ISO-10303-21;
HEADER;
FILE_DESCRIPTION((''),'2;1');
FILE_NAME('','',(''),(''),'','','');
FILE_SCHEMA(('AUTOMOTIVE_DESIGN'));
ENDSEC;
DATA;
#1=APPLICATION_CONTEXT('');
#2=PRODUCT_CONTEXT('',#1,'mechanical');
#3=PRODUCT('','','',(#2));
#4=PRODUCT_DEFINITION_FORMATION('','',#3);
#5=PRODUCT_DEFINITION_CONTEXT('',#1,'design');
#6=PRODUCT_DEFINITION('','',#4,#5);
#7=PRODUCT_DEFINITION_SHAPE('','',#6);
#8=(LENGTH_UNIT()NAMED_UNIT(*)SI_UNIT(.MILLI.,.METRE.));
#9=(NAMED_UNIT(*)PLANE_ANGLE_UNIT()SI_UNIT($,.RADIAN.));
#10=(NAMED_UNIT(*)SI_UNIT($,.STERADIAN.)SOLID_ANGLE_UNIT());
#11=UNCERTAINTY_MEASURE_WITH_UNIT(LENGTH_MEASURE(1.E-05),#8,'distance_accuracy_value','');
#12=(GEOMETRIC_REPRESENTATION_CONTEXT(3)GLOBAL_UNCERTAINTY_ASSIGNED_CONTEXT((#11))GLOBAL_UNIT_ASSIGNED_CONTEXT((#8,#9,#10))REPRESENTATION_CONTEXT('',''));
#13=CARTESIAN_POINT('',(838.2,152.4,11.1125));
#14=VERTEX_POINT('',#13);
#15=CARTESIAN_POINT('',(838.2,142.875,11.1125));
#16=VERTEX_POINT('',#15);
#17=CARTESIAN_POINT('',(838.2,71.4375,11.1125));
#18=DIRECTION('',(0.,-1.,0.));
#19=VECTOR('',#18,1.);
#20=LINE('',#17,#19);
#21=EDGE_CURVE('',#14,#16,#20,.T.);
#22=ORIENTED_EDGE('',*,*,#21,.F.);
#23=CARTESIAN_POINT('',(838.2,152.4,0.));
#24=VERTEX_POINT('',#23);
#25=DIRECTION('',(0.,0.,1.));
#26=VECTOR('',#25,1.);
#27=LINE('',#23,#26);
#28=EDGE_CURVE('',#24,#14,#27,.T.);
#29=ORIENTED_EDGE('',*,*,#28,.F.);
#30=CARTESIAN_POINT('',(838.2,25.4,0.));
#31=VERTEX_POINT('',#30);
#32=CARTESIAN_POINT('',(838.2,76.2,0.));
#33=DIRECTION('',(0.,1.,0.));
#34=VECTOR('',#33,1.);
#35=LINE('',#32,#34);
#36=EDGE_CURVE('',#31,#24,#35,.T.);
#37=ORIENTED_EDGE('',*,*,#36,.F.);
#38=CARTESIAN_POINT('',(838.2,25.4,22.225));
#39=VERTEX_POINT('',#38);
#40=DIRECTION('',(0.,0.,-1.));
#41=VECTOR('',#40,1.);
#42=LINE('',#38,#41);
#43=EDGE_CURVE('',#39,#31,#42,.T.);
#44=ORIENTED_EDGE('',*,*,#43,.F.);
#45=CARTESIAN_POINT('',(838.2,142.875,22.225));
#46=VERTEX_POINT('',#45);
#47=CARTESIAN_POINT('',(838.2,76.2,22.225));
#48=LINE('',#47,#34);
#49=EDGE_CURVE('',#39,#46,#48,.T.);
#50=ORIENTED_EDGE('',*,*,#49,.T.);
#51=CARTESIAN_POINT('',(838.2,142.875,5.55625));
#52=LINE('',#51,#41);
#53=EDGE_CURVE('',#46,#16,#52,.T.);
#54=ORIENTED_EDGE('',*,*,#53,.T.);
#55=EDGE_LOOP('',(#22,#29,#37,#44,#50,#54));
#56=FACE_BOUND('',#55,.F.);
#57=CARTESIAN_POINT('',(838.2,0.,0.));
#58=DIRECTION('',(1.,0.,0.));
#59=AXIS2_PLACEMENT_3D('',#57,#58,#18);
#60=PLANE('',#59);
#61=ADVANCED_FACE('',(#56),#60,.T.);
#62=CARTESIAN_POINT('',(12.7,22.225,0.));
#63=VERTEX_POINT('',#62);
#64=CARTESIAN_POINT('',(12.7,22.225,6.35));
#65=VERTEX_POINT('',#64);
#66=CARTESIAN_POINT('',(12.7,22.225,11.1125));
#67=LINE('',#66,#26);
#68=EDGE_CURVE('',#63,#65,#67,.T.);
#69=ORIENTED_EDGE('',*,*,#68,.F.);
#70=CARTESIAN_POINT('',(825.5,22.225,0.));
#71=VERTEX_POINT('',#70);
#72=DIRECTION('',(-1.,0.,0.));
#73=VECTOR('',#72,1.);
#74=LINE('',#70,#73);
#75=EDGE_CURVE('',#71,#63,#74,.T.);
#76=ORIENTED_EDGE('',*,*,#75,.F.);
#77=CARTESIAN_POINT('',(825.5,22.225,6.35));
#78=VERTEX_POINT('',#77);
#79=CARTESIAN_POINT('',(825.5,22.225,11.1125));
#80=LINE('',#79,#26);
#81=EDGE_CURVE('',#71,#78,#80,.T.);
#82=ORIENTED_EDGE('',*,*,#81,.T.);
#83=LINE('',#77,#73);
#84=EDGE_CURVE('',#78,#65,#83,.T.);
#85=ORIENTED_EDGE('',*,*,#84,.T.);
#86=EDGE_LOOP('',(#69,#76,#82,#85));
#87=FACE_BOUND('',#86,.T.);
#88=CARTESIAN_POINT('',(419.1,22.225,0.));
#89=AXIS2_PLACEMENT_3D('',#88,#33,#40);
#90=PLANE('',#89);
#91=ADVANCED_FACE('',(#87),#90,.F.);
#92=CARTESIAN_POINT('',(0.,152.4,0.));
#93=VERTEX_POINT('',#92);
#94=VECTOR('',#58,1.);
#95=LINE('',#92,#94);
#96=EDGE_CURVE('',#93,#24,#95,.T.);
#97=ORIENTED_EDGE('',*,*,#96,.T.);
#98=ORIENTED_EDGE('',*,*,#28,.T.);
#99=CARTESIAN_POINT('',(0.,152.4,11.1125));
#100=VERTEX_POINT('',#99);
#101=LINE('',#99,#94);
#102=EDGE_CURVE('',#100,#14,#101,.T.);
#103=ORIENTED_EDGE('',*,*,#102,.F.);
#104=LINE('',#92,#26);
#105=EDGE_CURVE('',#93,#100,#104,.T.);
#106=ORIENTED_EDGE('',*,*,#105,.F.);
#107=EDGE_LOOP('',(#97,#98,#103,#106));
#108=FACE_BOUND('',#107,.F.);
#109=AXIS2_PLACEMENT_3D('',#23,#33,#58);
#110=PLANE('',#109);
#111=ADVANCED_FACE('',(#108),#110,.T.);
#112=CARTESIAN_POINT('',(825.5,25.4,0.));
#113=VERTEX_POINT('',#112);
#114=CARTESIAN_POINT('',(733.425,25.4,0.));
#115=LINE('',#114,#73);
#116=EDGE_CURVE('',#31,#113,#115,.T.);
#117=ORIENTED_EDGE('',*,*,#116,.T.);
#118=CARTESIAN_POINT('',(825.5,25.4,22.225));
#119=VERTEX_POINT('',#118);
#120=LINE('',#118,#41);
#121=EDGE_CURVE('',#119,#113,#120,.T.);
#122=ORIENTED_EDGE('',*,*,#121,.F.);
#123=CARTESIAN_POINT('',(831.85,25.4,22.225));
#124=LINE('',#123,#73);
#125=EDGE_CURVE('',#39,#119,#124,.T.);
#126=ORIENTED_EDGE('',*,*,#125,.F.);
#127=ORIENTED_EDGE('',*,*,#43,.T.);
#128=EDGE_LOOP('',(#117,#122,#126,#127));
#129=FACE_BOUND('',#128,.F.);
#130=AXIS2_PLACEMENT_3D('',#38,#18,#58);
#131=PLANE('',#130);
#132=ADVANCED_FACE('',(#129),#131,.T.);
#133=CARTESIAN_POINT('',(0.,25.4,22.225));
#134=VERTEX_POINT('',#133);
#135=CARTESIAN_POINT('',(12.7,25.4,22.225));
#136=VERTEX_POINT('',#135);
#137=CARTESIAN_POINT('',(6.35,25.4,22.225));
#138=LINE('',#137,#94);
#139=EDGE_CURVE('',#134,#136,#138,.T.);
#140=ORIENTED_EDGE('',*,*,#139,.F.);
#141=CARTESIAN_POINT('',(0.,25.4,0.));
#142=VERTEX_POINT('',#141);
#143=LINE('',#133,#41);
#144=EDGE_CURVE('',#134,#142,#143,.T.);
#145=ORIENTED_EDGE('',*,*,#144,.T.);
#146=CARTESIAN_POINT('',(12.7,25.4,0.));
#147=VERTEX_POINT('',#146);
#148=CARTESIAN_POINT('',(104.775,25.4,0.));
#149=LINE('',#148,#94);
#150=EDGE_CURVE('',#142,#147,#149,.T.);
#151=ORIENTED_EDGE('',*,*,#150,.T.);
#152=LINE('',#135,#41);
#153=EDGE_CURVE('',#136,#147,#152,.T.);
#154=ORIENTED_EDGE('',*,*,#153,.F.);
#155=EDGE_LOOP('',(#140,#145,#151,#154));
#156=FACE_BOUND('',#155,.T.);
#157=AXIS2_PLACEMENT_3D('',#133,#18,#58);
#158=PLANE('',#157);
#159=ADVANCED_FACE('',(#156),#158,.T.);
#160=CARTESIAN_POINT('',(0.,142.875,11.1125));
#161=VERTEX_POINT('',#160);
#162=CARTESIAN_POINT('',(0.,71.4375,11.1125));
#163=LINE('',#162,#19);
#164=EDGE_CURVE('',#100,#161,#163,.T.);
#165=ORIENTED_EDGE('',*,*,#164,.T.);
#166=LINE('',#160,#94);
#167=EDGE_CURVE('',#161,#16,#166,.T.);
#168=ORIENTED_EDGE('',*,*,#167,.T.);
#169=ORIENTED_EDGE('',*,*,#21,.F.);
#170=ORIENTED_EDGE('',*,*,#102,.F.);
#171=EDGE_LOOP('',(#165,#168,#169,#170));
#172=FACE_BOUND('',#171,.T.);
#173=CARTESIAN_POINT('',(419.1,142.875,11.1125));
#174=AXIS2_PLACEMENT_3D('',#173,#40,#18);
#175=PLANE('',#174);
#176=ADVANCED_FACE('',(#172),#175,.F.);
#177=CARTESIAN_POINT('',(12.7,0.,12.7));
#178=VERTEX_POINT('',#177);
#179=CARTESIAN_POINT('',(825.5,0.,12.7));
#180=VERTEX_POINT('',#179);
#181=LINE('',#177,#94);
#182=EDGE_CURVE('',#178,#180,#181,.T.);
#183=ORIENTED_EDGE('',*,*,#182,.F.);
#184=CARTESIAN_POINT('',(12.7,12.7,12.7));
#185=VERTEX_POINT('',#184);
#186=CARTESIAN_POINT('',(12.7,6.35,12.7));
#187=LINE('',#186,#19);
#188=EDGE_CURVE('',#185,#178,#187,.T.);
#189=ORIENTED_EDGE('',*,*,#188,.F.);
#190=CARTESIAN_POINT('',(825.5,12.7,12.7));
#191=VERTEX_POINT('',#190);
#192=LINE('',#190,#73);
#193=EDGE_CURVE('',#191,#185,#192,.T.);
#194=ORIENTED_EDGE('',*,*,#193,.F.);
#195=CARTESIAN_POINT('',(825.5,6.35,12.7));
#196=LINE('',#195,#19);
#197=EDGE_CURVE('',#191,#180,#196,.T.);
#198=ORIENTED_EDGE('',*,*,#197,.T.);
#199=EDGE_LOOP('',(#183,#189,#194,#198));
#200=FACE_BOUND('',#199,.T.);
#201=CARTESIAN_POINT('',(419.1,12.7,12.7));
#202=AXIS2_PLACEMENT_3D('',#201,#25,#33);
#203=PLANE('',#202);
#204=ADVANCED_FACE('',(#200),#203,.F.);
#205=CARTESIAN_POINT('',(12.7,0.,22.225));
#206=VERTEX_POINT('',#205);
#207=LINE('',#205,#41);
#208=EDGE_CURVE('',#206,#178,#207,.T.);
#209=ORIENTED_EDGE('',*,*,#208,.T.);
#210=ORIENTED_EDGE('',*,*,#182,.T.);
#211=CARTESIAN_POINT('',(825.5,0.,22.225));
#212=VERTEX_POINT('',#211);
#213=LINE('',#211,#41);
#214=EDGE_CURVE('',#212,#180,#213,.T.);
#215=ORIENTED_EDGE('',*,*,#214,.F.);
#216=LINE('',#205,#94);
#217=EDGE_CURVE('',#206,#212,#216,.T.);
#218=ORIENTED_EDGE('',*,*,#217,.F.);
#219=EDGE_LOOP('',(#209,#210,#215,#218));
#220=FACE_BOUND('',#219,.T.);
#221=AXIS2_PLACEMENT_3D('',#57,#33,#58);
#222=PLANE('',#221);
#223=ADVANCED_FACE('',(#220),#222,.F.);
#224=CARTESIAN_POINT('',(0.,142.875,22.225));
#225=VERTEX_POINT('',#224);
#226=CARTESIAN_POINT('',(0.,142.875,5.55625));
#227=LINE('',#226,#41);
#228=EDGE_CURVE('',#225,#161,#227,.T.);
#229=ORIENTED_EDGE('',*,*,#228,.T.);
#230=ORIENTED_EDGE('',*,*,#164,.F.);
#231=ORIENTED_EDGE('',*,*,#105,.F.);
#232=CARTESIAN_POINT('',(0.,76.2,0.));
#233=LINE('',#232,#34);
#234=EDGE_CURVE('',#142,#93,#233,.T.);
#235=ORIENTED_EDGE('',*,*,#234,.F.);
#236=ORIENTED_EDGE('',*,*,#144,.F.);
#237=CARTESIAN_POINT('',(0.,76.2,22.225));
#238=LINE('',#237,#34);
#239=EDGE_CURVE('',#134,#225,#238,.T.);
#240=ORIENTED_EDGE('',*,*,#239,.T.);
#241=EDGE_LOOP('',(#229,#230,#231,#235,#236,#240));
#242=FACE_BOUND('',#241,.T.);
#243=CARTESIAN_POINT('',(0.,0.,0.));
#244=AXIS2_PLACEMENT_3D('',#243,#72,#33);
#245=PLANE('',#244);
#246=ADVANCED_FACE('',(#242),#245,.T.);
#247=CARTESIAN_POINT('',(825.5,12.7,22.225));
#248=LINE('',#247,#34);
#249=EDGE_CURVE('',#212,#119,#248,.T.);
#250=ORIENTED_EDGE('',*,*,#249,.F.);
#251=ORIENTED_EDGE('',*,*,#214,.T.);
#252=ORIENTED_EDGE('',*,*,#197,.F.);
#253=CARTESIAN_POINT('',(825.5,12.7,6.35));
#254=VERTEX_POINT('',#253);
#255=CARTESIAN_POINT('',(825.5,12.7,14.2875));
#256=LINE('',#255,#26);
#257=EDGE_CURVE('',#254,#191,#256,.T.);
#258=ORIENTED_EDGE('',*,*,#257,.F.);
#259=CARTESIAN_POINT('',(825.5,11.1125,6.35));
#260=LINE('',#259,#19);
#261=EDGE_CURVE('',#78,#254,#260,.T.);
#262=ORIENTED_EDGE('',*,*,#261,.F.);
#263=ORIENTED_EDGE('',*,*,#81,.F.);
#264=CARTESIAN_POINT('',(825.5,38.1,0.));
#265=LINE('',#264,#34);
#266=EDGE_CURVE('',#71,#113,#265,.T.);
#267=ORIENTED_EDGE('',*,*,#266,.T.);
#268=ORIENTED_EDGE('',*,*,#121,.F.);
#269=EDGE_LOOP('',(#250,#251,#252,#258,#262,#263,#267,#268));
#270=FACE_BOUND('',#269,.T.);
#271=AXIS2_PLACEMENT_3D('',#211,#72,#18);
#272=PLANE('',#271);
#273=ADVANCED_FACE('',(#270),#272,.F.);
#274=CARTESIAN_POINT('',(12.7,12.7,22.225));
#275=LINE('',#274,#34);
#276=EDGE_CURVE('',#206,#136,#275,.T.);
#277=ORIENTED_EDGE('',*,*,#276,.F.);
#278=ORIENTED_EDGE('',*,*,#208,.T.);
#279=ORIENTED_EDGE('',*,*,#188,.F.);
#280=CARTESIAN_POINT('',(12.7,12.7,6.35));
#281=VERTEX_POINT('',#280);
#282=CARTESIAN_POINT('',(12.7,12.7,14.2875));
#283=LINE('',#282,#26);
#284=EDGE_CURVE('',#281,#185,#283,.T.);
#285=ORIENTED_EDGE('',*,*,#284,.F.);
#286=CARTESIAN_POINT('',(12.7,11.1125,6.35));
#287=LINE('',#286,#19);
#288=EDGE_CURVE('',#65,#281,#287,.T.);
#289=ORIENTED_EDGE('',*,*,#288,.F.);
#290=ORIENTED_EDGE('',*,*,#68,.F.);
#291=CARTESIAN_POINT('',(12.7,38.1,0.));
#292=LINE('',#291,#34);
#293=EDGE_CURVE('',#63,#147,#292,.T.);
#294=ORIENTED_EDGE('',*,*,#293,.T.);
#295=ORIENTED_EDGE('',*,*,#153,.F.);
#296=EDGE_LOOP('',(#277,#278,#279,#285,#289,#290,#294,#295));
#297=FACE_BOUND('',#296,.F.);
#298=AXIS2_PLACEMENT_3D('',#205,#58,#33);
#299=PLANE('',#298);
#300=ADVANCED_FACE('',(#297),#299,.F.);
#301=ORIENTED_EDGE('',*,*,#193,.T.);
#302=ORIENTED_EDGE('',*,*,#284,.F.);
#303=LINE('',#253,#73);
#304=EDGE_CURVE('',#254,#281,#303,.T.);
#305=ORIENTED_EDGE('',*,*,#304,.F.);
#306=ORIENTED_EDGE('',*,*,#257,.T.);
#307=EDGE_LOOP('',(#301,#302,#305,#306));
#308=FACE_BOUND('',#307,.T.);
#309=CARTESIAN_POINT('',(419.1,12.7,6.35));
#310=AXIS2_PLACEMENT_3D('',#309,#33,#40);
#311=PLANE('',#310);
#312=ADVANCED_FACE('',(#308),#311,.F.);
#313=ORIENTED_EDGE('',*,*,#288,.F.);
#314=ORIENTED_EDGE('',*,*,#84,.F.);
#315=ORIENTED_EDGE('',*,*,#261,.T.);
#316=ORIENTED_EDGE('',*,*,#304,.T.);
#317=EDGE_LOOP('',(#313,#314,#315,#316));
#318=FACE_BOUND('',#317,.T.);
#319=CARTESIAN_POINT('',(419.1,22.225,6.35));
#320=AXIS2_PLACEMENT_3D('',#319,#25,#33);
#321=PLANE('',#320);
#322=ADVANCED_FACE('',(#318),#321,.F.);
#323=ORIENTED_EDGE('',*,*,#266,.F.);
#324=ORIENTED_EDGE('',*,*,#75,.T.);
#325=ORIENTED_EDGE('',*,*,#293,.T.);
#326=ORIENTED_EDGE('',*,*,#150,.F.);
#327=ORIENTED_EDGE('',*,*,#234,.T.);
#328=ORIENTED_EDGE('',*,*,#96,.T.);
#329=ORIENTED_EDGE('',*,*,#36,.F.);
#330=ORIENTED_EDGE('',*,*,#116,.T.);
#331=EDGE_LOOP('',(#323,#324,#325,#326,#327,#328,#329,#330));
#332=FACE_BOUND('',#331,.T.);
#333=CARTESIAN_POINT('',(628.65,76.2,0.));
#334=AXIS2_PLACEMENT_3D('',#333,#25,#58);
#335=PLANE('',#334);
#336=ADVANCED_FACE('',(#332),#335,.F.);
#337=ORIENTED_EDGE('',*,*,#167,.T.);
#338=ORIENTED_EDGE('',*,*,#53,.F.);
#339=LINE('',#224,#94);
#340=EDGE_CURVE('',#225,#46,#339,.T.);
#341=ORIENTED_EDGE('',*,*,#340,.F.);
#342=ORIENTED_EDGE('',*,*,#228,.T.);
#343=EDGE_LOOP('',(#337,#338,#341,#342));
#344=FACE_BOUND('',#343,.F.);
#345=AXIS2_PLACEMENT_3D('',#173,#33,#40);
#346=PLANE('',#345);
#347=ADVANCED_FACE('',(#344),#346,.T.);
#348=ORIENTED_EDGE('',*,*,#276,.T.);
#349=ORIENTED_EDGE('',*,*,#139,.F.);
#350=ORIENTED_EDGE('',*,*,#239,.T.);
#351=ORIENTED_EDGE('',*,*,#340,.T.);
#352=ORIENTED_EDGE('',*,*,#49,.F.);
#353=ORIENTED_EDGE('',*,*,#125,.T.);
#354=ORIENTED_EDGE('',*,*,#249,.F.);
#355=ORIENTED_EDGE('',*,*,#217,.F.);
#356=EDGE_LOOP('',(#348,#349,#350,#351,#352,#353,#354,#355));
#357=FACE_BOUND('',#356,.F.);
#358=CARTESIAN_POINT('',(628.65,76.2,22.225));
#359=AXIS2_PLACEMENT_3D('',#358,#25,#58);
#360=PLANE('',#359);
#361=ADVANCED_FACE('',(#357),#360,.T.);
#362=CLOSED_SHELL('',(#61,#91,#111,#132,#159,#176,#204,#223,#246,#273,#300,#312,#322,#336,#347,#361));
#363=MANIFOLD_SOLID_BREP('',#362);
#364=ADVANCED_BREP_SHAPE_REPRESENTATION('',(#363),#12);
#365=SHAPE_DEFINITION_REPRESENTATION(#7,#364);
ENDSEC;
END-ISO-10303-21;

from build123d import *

# Parameters (mm, degrees)
F0_W     = 419.1
F0_H     = 152.4
F1_DEPTH = 22.225
F2_W     = 12.7
F2_H     = 25.4
F3_DEPTH = 22.226
F4_W     = 9.525
F4_H     = 11.1125
F5_DEPTH = 419.101


with BuildPart() as f1:
    # F0 (on Top) → F1 (new body)
    with BuildSketch(Plane.XY):
        with Locations((209.55, 76.2)):
            Rectangle(F0_W, F0_H)
    extrude(amount=F1_DEPTH)

    # F2 (on face) → F3 (cut, through all)
    with BuildSketch(Plane.XY.offset(22.225)):
        with Locations((6.35, 12.7)):
            Rectangle(F2_W, F2_H)
    extrude(amount=-F3_DEPTH, mode=Mode.SUBTRACT)

    # F4 (on face) → F5 (cut, through all)
    with BuildSketch(Plane.YZ.offset(419.1)):
        Polygon((12.7, 12.7), (0, 12.7), (0, 0), (22.225, 0), (22.225, 6.35), (12.7, 6.35), align=None)
        with Locations((147.6375, 16.66875)):
            Rectangle(F4_W, F4_H)
    extrude(amount=-F5_DEPTH, mode=Mode.SUBTRACT)

    # F6: F1 across face


with BuildPart() as f1_1:
    add(f1.part)
    add(f1.part.mirror(Plane(origin=(419.1, 78.572096, 11.328264), x_dir=(0, 1, 0), z_dir=(1, 0, 0))))


solid = f1_1.part
